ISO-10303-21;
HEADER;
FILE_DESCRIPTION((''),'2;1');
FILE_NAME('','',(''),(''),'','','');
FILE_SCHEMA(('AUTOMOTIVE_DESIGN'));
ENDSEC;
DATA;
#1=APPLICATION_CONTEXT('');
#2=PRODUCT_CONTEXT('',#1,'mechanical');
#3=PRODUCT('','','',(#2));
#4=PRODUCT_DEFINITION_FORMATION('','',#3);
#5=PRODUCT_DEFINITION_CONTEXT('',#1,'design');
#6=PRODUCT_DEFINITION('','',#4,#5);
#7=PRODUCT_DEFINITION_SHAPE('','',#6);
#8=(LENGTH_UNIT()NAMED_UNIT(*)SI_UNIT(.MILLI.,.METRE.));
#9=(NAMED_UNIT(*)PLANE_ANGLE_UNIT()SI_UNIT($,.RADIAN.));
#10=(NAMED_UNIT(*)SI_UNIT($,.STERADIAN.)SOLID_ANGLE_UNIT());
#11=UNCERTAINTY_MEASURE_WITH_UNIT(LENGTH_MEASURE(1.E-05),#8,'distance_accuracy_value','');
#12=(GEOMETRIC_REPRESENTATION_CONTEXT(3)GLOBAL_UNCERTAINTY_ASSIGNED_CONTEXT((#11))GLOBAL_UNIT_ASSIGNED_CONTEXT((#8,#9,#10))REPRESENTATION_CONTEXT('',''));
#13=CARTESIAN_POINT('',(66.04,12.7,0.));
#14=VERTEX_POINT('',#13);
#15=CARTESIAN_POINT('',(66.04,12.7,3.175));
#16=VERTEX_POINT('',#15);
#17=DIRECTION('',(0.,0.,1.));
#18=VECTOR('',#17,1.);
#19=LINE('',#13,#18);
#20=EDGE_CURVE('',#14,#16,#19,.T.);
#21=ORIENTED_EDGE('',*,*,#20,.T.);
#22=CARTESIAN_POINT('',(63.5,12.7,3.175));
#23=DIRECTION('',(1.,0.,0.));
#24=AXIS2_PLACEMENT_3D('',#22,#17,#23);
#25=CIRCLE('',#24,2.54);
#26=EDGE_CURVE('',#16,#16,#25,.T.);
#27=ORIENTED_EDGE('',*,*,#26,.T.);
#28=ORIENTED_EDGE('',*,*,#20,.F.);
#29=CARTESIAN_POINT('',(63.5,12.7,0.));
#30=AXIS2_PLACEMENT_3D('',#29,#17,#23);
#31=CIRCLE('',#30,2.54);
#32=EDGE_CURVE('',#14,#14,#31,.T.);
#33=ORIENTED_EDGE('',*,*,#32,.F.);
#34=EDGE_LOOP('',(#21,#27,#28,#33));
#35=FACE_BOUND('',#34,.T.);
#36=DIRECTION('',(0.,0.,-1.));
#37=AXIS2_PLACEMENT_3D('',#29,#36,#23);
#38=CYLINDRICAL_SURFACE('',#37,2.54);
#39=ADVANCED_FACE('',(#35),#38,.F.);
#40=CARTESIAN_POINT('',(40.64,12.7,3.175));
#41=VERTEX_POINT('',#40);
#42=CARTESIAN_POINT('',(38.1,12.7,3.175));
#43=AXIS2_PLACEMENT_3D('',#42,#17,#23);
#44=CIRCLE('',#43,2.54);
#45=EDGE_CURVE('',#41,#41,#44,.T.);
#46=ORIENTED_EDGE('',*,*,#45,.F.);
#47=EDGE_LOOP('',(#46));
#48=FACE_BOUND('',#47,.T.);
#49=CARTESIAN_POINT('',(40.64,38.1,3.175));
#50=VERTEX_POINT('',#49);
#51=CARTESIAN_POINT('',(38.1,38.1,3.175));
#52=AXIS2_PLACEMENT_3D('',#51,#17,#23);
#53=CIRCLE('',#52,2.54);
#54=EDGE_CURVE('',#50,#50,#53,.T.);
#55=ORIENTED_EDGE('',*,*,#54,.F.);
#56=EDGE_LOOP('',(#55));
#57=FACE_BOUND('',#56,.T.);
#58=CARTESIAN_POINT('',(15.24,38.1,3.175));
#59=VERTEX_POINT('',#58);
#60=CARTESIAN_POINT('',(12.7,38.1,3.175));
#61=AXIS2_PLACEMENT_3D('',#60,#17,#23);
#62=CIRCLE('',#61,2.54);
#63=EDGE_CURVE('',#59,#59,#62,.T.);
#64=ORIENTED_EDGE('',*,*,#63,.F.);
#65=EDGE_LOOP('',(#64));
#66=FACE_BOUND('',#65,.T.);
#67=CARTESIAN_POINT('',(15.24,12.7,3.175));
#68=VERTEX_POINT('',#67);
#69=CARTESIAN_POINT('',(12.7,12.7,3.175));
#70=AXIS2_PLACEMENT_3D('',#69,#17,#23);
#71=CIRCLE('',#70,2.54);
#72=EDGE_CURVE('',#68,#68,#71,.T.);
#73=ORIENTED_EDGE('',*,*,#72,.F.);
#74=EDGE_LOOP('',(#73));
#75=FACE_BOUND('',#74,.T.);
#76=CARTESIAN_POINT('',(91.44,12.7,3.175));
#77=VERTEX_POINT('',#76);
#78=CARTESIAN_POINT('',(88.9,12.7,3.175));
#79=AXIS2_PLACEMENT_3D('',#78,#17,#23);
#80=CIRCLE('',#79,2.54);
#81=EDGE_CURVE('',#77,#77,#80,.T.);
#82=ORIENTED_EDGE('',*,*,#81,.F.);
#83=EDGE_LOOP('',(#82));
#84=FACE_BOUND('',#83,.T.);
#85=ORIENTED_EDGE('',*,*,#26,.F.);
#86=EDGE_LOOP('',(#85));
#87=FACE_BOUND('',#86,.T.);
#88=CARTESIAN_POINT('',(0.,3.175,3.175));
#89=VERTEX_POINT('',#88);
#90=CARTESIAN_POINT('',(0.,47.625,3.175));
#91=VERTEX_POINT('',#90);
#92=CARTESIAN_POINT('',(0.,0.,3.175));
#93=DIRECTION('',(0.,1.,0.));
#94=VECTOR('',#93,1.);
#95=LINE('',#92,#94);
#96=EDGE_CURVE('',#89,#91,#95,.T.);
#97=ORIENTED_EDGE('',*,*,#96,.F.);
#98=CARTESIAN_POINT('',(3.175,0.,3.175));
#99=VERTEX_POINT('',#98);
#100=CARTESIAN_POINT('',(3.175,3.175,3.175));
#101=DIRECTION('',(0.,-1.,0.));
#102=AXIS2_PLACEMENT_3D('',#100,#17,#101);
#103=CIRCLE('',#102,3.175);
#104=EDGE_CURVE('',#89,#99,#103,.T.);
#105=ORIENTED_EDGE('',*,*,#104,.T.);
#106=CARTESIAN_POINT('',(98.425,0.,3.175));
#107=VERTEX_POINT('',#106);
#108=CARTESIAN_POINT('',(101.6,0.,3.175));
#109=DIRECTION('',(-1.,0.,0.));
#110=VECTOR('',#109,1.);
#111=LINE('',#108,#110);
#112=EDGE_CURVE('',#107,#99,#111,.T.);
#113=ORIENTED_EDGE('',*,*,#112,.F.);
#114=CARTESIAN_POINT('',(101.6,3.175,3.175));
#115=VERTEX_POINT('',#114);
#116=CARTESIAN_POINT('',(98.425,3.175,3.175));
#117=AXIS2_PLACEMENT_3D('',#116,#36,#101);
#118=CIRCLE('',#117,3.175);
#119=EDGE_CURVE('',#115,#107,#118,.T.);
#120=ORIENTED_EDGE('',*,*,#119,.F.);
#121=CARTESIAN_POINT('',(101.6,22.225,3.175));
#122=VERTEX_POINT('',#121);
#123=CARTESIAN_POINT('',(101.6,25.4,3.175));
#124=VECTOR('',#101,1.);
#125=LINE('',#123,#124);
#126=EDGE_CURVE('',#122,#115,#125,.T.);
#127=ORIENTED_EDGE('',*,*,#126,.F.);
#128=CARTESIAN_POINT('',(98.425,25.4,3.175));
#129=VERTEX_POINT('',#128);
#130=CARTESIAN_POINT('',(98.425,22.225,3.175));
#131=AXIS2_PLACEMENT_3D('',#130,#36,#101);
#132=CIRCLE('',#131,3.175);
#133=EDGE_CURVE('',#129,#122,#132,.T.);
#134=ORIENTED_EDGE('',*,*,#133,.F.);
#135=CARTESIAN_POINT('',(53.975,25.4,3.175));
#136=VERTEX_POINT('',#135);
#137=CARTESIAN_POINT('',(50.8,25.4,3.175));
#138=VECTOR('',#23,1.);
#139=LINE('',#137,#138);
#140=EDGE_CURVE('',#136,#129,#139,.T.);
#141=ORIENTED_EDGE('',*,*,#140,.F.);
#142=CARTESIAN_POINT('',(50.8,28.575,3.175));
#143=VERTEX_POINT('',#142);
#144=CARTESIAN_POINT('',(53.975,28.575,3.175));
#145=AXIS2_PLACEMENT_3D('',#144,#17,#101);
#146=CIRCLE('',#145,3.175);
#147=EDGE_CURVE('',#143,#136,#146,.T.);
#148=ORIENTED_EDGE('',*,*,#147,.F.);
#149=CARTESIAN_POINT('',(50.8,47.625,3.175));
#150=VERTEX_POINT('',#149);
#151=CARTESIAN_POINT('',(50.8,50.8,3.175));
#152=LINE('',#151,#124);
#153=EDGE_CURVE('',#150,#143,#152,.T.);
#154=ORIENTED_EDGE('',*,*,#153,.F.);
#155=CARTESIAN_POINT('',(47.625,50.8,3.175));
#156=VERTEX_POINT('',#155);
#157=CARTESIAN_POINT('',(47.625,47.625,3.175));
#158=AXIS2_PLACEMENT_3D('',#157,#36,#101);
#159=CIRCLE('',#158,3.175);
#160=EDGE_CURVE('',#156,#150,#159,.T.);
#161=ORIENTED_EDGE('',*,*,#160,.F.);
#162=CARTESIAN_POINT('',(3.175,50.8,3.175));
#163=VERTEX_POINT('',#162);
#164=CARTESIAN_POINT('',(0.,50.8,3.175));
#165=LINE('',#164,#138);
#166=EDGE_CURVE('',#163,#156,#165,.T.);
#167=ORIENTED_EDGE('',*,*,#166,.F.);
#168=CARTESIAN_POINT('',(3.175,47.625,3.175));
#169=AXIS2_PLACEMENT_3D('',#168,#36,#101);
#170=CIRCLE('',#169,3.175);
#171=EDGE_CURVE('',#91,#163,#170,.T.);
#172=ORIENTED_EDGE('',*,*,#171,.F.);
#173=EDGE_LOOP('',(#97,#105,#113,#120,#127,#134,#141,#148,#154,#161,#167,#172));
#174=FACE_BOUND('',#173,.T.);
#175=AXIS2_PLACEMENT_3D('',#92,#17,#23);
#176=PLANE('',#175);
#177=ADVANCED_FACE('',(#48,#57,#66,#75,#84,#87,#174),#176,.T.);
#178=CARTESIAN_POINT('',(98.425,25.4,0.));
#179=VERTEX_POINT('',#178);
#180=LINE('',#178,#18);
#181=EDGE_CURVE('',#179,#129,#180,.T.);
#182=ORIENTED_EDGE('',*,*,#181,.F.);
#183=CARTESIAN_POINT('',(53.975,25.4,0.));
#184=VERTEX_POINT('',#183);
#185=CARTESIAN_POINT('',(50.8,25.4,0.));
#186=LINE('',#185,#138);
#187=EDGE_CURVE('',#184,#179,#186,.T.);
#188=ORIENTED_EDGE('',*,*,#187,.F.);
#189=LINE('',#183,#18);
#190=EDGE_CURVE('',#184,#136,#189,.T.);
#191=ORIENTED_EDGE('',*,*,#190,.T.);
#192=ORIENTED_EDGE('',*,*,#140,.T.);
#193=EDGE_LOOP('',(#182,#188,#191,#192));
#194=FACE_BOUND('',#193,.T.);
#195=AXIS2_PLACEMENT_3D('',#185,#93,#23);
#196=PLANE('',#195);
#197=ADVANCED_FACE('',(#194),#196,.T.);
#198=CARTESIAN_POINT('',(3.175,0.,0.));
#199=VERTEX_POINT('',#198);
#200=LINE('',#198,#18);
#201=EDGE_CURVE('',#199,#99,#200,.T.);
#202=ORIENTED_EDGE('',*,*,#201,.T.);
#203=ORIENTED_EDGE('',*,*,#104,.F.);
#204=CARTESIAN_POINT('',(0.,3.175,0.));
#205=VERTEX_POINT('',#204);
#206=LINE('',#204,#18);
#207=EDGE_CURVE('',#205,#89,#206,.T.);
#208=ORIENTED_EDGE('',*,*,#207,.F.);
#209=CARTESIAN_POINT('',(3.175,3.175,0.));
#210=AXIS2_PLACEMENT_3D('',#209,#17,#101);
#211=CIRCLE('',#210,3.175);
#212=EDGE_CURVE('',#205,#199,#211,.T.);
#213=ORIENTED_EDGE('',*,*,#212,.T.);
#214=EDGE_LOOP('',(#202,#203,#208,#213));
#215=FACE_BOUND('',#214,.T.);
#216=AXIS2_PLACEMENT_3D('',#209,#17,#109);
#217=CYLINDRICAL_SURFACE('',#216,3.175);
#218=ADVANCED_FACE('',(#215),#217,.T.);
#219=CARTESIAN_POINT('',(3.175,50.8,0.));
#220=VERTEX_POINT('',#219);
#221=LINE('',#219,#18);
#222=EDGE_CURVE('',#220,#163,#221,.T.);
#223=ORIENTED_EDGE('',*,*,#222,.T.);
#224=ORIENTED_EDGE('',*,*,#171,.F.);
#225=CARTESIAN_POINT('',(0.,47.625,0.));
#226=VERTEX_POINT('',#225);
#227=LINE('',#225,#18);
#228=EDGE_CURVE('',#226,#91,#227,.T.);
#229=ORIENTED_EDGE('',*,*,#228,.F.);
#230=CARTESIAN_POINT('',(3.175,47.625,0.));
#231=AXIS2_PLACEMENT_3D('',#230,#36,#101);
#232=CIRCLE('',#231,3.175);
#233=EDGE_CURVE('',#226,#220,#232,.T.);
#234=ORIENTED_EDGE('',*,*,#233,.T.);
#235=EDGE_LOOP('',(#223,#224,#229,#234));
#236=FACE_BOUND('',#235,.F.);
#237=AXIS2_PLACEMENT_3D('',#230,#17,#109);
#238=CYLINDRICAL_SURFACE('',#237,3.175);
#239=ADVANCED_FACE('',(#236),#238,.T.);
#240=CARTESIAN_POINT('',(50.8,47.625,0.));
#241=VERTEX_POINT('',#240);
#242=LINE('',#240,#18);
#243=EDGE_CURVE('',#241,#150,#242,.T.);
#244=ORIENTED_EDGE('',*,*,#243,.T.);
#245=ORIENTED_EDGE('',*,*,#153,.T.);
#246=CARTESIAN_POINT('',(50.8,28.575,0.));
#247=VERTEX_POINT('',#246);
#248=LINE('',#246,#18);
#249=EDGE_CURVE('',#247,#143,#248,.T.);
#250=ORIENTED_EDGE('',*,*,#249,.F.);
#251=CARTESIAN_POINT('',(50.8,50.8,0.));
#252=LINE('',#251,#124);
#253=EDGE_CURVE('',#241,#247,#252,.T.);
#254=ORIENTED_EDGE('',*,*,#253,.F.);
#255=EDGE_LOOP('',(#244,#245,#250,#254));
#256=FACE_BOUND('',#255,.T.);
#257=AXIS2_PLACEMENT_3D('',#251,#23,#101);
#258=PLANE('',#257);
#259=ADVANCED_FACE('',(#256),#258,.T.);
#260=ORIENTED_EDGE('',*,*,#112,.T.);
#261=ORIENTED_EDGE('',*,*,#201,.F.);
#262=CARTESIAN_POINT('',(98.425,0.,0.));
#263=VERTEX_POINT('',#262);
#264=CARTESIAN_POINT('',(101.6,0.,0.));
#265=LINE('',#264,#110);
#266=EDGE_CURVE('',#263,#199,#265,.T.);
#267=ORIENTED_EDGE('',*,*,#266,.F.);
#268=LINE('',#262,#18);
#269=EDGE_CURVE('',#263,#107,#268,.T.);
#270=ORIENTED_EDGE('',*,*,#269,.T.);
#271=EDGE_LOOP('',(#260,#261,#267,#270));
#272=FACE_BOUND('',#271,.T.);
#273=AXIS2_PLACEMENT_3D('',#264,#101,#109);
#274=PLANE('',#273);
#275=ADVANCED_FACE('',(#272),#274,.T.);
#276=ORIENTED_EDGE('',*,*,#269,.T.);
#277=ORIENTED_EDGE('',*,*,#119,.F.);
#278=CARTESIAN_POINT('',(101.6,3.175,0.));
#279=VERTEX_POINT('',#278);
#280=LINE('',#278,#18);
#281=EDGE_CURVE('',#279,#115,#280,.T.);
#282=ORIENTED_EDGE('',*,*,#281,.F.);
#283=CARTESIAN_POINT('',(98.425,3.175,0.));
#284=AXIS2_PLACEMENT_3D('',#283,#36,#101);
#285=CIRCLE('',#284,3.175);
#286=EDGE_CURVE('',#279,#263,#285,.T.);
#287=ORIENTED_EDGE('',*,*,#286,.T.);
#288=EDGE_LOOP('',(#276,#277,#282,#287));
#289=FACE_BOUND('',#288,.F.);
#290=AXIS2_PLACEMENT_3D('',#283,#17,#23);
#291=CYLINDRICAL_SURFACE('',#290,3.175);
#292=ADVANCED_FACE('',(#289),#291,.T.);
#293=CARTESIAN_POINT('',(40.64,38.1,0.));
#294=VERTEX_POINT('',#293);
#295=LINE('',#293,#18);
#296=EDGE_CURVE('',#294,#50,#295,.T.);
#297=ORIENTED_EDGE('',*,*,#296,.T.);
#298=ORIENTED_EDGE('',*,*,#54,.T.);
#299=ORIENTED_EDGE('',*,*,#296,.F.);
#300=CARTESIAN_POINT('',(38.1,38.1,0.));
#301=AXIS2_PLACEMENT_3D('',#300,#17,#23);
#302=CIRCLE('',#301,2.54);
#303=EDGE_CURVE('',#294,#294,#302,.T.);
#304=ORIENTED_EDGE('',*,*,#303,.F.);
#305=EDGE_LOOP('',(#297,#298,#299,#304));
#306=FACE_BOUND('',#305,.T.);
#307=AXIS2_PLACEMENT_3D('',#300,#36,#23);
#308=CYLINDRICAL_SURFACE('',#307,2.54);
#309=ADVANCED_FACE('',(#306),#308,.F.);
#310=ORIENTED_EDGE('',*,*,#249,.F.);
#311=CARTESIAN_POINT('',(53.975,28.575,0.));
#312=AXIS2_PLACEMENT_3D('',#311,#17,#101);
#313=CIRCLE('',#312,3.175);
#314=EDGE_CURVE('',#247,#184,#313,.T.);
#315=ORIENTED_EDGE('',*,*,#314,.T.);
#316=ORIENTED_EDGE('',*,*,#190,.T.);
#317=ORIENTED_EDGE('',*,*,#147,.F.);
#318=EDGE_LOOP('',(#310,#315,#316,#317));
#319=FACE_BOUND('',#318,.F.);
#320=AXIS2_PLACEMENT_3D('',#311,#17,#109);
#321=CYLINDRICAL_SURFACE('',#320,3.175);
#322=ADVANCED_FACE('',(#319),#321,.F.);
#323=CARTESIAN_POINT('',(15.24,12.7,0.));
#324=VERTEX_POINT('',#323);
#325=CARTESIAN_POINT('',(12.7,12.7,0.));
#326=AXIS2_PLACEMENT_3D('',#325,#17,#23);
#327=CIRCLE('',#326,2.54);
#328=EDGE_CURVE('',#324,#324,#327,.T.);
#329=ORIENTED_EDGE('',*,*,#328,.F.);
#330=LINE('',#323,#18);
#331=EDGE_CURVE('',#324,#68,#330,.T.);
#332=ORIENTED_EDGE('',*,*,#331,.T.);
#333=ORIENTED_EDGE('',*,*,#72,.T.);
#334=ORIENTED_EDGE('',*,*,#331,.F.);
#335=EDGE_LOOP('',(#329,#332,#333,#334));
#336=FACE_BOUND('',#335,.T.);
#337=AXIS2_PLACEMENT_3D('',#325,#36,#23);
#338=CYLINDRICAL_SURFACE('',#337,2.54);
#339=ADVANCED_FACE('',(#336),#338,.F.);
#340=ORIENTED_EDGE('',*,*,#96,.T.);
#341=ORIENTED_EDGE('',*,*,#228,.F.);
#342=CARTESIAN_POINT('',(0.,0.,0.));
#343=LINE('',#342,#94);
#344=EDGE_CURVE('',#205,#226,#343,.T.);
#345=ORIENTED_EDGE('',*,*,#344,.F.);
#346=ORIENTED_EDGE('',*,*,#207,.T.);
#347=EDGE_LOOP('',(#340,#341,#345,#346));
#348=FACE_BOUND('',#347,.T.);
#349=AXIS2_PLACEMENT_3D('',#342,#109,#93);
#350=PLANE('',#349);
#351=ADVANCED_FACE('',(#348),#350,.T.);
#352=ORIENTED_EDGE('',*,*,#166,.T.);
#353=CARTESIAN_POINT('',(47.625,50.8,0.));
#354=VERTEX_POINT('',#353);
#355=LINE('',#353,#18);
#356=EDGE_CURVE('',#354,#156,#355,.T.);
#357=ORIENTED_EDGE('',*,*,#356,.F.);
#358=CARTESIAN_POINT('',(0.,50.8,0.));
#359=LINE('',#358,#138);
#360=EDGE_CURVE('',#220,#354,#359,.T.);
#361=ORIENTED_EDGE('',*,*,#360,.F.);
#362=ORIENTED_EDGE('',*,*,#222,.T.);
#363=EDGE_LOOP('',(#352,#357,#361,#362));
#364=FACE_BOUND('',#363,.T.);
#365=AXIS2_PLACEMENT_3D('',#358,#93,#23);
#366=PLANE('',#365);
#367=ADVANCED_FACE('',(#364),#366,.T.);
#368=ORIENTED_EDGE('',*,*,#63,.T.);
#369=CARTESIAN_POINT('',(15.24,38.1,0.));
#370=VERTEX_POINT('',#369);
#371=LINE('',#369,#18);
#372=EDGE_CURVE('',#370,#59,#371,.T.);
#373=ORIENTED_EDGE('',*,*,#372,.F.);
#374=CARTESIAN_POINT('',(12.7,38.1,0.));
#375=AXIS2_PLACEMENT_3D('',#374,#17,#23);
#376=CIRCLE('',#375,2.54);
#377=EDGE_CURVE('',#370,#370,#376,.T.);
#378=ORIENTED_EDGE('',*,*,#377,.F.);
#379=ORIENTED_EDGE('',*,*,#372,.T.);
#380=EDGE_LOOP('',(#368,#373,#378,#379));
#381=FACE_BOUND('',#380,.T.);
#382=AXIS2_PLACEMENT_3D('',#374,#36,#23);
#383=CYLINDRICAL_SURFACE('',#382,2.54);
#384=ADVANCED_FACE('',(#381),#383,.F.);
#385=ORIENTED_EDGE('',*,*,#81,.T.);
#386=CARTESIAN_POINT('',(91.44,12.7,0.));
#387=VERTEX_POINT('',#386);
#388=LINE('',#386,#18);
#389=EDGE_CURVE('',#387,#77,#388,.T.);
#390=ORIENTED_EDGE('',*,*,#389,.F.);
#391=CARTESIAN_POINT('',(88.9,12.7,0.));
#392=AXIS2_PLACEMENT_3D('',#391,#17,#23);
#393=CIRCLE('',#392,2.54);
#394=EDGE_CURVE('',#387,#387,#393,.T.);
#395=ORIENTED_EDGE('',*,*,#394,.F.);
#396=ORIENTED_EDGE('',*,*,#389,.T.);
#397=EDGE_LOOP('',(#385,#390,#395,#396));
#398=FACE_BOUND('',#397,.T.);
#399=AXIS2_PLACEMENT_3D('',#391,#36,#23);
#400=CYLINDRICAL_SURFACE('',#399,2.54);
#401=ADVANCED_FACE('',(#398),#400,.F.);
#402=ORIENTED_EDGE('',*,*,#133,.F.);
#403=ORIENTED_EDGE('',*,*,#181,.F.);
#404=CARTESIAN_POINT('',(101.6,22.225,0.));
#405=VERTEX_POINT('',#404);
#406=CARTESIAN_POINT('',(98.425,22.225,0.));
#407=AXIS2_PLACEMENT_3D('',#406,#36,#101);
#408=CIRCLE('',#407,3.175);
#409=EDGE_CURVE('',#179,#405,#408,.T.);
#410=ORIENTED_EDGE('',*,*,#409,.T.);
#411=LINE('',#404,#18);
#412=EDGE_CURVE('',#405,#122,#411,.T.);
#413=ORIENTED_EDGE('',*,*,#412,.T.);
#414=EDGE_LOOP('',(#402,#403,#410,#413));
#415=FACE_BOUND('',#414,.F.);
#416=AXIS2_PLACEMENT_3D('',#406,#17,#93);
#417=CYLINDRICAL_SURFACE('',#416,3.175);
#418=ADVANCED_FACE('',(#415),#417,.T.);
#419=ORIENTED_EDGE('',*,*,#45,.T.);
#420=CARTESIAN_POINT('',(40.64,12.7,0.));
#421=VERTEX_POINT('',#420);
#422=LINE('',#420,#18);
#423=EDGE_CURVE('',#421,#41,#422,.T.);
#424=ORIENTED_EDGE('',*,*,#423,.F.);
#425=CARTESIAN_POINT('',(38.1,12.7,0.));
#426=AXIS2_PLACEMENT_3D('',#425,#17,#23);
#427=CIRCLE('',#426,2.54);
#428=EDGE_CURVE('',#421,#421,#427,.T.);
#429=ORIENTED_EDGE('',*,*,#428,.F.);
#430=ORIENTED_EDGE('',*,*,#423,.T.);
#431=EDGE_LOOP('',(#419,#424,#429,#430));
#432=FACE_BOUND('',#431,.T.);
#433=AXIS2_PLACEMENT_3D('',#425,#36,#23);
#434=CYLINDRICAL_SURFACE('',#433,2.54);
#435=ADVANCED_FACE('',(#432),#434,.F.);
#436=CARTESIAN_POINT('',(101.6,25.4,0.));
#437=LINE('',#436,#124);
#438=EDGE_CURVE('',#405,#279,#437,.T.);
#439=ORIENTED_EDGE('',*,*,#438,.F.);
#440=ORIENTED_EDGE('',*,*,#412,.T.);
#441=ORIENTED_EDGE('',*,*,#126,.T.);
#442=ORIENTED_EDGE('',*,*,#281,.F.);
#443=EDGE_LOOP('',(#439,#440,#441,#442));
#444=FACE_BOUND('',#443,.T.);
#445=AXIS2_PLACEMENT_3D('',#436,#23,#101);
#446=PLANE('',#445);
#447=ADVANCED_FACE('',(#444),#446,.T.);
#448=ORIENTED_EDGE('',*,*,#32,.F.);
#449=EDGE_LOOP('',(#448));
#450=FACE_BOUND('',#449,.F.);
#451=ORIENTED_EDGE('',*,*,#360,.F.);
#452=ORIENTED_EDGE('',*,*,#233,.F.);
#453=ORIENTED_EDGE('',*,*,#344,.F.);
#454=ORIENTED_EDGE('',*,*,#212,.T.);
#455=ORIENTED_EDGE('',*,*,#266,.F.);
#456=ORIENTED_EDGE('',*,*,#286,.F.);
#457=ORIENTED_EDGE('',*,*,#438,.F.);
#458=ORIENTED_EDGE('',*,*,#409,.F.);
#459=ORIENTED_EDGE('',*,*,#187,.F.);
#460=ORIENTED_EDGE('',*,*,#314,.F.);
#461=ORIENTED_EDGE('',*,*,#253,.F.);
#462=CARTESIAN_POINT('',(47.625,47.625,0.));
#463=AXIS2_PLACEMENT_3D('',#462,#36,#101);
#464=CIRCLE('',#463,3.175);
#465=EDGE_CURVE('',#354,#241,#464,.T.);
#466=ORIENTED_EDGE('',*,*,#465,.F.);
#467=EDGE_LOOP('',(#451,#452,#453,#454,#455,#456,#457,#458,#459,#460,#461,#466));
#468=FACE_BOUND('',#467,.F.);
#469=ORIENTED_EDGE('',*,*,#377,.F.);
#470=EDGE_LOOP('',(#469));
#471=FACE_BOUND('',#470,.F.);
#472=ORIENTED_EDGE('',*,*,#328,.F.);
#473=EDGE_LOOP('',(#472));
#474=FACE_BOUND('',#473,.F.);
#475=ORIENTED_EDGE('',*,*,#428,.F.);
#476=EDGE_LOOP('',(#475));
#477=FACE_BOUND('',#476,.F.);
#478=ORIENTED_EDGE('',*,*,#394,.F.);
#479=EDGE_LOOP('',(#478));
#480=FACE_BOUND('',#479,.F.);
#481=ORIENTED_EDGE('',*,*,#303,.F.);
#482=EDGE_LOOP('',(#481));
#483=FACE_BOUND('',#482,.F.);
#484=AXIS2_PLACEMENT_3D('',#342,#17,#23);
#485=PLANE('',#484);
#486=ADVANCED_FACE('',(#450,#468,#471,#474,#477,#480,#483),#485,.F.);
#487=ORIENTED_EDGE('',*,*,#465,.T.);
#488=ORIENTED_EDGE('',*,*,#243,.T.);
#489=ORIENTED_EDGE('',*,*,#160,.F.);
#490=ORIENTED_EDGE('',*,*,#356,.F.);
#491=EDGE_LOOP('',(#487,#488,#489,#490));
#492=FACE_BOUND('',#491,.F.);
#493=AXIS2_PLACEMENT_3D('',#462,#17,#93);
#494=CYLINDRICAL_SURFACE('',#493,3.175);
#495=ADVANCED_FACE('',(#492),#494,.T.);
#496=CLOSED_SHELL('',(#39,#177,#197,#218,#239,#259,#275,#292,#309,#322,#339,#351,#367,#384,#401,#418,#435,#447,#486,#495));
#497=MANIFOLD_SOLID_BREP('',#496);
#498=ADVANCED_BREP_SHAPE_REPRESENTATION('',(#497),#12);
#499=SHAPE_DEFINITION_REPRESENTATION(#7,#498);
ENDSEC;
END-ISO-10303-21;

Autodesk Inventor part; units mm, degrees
ref_plane "YZ Plane" through (0, 0, 0) normal (1, 0, 0) x (0, 1, 0)
ref_plane "XZ Plane" through (0, 0, 0) normal (0, 1, 0) x (-1, 0, 0)
ref_plane "XY Plane" through (0, 0, 0) normal (0, 0, 1) x (1, 0, 0)
sketch "Sketch1" plane through (0, 0, 0) normal (0, 0, 1) x (1, 0, 0)
  line L0 (0, 0) -> (0, 50.8)
  line L1 (0, 50.8) -> (50.8, 50.8)
  line L2 (50.8, 50.8) -> (50.8, 25.4)
  line L3 (50.8, 25.4) -> (101.6, 25.4)
  line L4 (101.6, 25.4) -> (101.6, 0)
  line L5 (101.6, 0) -> (0, 0)
  line L6 (0, 50.8) -> (12.7, 50.8) construction
  line L7 (12.7, 50.8) -> (12.7, 38.1) construction
  line L8 (12.7, 38.1) -> (38.1, 38.1) construction
  line L9 (38.1, 38.1) -> (38.1, 12.7) construction
  line L10 (38.1, 12.7) -> (12.7, 12.7) construction
  line L11 (12.7, 12.7) -> (63.5, 12.7) construction
  line L12 (63.5, 12.7) -> (88.9, 12.7) construction
  circle A0 centre (12.7, 38.1) radius 2.54
  circle A1 centre (38.1, 38.1) radius 2.54
  circle A2 centre (38.1, 12.7) radius 2.54
  circle A3 centre (12.7, 12.7) radius 2.54
  circle A4 centre (63.5, 12.7) radius 2.54
  circle A5 centre (88.9, 12.7) radius 2.54
  dimension "d0" = 50.8
  dimension "d1" = 50.8
  dimension "d2" = 25.4
  dimension "d3" = 50.8
  dimension "d4" = 12.7
  dimension "d5" = 12.7
  dimension "d6" = 25.4
  dimension "d8" = 25.4
  dimension "d9" = 25.4
  dimension "d10" = 50.8
  dimension "d11" = 25.4
  dimension "d12" = 5.08
extrude "Extrusion1" add sketch "Sketch1" along normal blind 3.175
fillet "Fillet1" radius 3.175 6 edges at (50.8, 50.8, 1.5875) (50.8, 25.4, 1.5875) (0, 50.8, 1.5875) (0, 0, 1.5875) (101.6, 0, 1.5875) (101.6, 25.4, 1.5875)
properties part number "Sax Gusset" material "Aluminum 6061"
